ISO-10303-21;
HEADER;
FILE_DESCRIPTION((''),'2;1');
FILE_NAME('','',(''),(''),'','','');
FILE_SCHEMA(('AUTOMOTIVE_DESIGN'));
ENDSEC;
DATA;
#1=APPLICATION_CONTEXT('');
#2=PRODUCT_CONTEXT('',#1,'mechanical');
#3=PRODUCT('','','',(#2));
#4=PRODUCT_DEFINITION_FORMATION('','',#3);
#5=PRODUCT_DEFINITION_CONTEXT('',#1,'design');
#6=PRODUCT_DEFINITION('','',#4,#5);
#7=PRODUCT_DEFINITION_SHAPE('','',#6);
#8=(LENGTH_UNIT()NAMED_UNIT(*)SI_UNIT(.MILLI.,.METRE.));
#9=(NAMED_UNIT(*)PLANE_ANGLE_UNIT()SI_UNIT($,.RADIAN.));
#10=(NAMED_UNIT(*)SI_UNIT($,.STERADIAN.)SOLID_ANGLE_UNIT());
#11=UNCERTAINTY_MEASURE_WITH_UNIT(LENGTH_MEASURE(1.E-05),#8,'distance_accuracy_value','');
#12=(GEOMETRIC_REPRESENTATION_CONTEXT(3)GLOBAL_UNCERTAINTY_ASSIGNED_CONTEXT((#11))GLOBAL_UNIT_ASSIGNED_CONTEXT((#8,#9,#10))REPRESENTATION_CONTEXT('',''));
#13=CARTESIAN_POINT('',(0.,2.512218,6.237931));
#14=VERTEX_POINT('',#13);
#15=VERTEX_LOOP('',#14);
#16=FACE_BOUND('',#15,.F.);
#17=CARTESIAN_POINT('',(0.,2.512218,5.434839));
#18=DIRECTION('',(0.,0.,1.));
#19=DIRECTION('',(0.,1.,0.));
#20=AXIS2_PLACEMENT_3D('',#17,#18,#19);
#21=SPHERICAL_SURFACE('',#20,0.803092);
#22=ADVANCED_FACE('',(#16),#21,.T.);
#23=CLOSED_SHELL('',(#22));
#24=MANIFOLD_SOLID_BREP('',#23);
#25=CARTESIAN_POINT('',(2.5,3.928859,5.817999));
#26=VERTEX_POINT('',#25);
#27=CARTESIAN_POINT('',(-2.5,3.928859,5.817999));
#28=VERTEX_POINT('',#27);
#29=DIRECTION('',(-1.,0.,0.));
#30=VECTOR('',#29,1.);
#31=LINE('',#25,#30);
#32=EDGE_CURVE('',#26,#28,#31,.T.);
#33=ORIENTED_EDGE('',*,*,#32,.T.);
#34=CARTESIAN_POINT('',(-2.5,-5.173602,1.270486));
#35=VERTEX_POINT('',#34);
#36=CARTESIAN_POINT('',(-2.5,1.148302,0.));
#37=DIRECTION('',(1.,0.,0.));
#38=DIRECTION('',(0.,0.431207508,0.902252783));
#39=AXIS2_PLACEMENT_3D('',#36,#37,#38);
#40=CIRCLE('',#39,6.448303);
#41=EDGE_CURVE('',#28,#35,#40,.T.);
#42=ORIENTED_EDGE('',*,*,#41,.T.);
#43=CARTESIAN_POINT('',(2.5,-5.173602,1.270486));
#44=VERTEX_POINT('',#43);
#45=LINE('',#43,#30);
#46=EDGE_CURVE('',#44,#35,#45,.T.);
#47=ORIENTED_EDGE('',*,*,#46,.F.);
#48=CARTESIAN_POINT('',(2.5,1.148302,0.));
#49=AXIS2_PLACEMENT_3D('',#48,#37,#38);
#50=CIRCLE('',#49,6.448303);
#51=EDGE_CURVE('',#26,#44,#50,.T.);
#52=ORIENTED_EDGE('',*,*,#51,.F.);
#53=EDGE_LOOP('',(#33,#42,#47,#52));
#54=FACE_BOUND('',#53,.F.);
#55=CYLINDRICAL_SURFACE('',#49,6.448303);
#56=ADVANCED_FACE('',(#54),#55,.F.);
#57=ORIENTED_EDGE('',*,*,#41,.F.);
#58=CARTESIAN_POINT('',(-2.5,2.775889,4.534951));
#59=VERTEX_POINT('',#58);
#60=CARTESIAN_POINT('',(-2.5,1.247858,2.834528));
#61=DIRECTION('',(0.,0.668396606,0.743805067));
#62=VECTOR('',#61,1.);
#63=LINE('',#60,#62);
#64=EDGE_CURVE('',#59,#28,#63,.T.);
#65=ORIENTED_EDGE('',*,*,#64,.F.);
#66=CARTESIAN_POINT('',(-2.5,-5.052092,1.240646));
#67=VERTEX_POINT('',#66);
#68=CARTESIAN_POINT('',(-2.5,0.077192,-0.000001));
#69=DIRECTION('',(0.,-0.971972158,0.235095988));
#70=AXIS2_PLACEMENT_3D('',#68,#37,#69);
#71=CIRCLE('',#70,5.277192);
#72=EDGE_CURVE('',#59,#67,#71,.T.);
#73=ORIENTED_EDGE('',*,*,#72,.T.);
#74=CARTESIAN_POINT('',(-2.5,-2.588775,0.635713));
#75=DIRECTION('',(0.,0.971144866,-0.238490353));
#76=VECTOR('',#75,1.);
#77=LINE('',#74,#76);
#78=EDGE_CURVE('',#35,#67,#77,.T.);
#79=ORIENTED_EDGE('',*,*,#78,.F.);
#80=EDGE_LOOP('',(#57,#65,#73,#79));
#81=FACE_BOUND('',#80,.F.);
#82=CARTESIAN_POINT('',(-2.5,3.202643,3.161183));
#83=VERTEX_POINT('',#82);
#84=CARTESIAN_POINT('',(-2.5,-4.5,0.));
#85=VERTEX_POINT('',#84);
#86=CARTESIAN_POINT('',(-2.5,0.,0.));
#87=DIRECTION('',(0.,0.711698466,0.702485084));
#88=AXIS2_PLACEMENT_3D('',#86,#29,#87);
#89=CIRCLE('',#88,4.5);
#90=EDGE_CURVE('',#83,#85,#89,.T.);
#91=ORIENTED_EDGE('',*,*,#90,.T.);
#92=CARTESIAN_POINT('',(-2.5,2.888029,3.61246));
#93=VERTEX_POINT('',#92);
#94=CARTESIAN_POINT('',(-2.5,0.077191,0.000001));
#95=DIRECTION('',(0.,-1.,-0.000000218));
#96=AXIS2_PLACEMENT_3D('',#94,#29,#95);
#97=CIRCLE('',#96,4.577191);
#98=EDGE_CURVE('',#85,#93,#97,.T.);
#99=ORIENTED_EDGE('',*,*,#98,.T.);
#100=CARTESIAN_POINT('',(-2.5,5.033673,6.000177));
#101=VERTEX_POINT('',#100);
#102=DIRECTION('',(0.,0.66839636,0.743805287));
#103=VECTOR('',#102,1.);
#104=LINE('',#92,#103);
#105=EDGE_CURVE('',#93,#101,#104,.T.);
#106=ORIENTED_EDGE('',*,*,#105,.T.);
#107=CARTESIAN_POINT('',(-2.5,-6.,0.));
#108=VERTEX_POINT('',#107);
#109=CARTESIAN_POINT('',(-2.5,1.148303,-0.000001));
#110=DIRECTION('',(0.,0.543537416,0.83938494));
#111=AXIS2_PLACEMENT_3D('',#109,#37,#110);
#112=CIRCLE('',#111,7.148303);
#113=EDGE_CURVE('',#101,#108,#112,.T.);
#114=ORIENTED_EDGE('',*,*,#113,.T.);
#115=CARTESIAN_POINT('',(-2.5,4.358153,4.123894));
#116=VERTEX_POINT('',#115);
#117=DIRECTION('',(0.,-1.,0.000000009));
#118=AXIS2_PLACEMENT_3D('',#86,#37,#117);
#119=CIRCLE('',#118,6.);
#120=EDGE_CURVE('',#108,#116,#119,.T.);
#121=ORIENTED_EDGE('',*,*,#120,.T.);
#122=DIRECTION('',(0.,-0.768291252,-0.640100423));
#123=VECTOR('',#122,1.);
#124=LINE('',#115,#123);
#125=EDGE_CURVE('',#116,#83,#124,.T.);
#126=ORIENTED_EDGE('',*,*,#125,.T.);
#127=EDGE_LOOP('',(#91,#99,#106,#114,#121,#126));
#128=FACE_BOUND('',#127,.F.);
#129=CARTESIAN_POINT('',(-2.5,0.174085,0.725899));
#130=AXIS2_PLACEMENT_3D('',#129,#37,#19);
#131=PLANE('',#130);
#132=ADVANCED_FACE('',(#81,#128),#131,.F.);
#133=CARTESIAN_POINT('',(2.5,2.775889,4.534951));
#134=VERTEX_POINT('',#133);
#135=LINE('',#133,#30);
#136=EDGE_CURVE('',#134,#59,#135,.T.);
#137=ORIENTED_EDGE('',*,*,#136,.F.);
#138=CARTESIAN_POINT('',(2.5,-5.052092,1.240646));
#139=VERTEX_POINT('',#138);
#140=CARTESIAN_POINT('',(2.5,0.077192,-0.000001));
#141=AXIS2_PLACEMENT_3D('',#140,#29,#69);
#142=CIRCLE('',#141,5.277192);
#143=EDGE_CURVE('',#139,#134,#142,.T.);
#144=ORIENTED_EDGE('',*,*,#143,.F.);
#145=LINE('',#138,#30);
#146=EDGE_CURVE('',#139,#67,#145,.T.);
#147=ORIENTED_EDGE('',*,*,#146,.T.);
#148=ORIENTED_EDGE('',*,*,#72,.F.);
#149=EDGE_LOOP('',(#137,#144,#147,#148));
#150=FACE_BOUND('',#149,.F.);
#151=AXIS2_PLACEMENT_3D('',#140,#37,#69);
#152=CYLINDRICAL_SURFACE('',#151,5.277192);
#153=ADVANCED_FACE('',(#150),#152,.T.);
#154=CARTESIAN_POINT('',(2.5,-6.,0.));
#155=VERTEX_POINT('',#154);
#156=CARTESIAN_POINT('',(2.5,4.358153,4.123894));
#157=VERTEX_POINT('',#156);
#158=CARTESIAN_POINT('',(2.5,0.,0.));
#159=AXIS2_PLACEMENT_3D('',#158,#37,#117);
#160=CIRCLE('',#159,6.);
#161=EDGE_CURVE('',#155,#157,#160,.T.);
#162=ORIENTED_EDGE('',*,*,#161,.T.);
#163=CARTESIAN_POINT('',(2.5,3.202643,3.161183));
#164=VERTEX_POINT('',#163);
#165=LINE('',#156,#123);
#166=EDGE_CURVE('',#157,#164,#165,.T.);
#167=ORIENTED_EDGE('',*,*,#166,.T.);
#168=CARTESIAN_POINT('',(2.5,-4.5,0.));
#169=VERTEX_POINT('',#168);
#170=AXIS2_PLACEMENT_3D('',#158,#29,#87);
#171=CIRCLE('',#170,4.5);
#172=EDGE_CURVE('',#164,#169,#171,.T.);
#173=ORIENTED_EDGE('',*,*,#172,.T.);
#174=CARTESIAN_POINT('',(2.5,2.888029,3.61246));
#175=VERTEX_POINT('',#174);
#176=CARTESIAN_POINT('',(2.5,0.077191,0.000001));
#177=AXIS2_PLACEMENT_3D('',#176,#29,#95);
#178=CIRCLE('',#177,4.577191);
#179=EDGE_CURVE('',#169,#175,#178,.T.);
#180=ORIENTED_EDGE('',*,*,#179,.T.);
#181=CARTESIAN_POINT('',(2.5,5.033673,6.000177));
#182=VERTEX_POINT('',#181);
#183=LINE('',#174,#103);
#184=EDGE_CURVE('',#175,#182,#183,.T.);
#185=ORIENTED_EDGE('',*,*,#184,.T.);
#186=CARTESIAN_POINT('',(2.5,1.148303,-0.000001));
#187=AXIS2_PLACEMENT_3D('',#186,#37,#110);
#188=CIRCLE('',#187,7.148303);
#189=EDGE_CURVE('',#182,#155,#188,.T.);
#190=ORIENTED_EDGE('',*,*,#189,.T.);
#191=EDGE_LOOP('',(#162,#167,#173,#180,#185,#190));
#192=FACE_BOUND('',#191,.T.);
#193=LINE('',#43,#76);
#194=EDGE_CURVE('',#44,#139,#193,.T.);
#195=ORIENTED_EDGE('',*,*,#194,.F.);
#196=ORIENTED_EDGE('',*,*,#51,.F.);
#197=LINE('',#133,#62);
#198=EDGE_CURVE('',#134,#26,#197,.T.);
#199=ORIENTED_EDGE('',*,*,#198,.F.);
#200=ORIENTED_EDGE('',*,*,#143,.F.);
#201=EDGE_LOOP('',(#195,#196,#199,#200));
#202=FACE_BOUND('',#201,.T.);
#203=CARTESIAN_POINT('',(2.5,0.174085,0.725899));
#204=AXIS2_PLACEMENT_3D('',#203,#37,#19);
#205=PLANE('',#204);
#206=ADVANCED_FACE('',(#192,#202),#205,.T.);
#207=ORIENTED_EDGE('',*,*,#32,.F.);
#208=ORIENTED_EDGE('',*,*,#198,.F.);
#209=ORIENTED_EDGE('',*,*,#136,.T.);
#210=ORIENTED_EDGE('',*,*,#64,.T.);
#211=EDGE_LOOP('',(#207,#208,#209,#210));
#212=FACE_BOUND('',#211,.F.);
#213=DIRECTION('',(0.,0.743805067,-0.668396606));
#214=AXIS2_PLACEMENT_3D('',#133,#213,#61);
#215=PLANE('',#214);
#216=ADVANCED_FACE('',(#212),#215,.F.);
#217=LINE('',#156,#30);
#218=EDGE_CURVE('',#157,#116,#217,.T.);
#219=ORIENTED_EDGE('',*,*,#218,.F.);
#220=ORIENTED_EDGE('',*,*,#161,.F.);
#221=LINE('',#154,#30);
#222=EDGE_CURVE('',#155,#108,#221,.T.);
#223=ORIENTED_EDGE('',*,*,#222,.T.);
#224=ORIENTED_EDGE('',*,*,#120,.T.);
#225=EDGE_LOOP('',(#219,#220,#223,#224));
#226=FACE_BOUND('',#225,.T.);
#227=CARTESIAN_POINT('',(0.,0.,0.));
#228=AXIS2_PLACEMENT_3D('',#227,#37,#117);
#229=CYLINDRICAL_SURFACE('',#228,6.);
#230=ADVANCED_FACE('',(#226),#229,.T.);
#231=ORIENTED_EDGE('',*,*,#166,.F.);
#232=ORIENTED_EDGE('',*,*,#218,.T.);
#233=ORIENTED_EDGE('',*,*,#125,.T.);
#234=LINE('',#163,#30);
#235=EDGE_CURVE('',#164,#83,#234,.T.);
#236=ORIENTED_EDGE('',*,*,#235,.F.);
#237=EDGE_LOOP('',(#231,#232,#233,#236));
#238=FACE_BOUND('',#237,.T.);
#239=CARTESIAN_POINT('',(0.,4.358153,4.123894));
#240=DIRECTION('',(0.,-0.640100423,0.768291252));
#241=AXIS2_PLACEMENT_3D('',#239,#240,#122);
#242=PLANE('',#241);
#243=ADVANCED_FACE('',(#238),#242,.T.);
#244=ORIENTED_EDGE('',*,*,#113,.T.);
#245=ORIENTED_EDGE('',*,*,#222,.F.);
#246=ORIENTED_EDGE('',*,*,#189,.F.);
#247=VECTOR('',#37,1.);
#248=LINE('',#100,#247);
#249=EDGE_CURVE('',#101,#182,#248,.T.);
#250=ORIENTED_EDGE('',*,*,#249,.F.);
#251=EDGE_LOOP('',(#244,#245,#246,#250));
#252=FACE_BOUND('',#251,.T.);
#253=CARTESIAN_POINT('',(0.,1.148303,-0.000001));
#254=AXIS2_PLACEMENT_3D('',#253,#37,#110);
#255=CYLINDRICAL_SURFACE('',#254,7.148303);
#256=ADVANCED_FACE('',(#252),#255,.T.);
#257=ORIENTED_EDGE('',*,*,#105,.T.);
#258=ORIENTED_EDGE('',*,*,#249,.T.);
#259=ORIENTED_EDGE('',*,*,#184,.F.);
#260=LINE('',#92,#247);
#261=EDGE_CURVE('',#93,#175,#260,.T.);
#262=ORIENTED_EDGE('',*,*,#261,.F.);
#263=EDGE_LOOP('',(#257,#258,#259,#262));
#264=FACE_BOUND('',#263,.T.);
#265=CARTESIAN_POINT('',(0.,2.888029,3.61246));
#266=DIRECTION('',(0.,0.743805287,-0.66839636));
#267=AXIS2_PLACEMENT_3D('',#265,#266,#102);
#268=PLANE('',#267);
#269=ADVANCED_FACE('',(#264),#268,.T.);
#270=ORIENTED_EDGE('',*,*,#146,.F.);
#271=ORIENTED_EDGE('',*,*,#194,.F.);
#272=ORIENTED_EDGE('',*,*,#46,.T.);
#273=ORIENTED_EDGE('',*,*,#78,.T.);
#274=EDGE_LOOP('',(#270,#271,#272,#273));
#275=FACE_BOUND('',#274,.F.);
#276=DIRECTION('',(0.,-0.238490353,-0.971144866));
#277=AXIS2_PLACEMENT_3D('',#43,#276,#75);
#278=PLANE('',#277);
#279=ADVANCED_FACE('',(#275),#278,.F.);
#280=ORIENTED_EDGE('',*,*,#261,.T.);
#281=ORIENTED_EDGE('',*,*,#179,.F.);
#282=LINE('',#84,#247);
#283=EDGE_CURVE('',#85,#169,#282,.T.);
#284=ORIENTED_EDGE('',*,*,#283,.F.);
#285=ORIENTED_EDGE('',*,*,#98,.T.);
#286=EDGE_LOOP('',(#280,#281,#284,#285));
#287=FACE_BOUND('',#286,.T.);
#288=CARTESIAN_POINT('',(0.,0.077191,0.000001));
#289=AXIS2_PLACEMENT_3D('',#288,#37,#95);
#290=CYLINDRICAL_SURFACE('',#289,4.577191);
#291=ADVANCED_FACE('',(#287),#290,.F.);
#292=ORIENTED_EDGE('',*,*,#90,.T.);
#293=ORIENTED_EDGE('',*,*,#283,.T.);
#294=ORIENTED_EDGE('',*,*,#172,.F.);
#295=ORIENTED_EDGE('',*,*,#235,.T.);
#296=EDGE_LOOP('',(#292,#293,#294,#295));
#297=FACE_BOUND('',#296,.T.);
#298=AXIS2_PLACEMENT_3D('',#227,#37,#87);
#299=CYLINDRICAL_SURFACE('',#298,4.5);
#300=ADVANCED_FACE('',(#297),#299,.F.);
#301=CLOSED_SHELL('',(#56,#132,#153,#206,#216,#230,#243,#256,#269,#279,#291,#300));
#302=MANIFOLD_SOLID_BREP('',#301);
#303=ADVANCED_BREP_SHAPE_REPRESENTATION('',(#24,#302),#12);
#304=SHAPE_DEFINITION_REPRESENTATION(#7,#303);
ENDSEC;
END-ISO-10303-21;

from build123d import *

# Parameters (mm, degrees)
F1_DEPTH = 2.5
F4_DEPTH = 25


with BuildPart() as f1:
    # F0 (on Right) → F1 (new body, symmetric)
    with BuildSketch(Plane.YZ):
        with BuildLine():
            ThreePointArc((3.202643, 3.161183), (1.708524, -4.163045), (-4.5, 0))
            ThreePointArc((-4.5, 0), (-1.933398, 4.11196), (2.888029, 3.61246))
            Line((2.888029, 3.61246), (5.033673, 6.000177))
            ThreePointArc((5.033673, 6.000177), (-2.266695, 6.27981), (-6, 0))
            ThreePointArc((-6, 0), (2.219356, -5.574447), (4.358153, 4.123894))
            Line((4.358153, 4.123894), (3.202643, 3.161183))
        make_face()
    extrude(amount=F1_DEPTH, both=True)

    # F3 (on face) → F4 (cut)
    with BuildSketch(Plane.YZ.offset(2.5)):
        with BuildLine():
            Line((2.775889, 4.534951), (3.928859, 5.817999))
            ThreePointArc((3.928859, 5.817999), (-1.733582, 5.768479), (-5.173602, 1.270486))
            Line((-5.173602, 1.270486), (-5.052092, 1.240646))
            ThreePointArc((-5.052092, 1.240646), (-1.969769, 4.864021), (2.775889, 4.534951))
        make_face()
    extrude(amount=-F4_DEPTH, mode=Mode.SUBTRACT)


with BuildPart() as f6:
    # F5 (on Right) → F6 (revolve)
    with BuildSketch(Plane.YZ):
        with BuildLine():
            Line((2.512218, 6.237931), (2.512218, 4.631747))
            ThreePointArc((2.512218, 4.631747), (3.31531, 5.434839), (2.512218, 6.237931))
        make_face()
    revolve(axis=Axis((0, 2.512218, 5.434839), (0, 0, -1)))


solid = Compound([f1.part, f6.part])
